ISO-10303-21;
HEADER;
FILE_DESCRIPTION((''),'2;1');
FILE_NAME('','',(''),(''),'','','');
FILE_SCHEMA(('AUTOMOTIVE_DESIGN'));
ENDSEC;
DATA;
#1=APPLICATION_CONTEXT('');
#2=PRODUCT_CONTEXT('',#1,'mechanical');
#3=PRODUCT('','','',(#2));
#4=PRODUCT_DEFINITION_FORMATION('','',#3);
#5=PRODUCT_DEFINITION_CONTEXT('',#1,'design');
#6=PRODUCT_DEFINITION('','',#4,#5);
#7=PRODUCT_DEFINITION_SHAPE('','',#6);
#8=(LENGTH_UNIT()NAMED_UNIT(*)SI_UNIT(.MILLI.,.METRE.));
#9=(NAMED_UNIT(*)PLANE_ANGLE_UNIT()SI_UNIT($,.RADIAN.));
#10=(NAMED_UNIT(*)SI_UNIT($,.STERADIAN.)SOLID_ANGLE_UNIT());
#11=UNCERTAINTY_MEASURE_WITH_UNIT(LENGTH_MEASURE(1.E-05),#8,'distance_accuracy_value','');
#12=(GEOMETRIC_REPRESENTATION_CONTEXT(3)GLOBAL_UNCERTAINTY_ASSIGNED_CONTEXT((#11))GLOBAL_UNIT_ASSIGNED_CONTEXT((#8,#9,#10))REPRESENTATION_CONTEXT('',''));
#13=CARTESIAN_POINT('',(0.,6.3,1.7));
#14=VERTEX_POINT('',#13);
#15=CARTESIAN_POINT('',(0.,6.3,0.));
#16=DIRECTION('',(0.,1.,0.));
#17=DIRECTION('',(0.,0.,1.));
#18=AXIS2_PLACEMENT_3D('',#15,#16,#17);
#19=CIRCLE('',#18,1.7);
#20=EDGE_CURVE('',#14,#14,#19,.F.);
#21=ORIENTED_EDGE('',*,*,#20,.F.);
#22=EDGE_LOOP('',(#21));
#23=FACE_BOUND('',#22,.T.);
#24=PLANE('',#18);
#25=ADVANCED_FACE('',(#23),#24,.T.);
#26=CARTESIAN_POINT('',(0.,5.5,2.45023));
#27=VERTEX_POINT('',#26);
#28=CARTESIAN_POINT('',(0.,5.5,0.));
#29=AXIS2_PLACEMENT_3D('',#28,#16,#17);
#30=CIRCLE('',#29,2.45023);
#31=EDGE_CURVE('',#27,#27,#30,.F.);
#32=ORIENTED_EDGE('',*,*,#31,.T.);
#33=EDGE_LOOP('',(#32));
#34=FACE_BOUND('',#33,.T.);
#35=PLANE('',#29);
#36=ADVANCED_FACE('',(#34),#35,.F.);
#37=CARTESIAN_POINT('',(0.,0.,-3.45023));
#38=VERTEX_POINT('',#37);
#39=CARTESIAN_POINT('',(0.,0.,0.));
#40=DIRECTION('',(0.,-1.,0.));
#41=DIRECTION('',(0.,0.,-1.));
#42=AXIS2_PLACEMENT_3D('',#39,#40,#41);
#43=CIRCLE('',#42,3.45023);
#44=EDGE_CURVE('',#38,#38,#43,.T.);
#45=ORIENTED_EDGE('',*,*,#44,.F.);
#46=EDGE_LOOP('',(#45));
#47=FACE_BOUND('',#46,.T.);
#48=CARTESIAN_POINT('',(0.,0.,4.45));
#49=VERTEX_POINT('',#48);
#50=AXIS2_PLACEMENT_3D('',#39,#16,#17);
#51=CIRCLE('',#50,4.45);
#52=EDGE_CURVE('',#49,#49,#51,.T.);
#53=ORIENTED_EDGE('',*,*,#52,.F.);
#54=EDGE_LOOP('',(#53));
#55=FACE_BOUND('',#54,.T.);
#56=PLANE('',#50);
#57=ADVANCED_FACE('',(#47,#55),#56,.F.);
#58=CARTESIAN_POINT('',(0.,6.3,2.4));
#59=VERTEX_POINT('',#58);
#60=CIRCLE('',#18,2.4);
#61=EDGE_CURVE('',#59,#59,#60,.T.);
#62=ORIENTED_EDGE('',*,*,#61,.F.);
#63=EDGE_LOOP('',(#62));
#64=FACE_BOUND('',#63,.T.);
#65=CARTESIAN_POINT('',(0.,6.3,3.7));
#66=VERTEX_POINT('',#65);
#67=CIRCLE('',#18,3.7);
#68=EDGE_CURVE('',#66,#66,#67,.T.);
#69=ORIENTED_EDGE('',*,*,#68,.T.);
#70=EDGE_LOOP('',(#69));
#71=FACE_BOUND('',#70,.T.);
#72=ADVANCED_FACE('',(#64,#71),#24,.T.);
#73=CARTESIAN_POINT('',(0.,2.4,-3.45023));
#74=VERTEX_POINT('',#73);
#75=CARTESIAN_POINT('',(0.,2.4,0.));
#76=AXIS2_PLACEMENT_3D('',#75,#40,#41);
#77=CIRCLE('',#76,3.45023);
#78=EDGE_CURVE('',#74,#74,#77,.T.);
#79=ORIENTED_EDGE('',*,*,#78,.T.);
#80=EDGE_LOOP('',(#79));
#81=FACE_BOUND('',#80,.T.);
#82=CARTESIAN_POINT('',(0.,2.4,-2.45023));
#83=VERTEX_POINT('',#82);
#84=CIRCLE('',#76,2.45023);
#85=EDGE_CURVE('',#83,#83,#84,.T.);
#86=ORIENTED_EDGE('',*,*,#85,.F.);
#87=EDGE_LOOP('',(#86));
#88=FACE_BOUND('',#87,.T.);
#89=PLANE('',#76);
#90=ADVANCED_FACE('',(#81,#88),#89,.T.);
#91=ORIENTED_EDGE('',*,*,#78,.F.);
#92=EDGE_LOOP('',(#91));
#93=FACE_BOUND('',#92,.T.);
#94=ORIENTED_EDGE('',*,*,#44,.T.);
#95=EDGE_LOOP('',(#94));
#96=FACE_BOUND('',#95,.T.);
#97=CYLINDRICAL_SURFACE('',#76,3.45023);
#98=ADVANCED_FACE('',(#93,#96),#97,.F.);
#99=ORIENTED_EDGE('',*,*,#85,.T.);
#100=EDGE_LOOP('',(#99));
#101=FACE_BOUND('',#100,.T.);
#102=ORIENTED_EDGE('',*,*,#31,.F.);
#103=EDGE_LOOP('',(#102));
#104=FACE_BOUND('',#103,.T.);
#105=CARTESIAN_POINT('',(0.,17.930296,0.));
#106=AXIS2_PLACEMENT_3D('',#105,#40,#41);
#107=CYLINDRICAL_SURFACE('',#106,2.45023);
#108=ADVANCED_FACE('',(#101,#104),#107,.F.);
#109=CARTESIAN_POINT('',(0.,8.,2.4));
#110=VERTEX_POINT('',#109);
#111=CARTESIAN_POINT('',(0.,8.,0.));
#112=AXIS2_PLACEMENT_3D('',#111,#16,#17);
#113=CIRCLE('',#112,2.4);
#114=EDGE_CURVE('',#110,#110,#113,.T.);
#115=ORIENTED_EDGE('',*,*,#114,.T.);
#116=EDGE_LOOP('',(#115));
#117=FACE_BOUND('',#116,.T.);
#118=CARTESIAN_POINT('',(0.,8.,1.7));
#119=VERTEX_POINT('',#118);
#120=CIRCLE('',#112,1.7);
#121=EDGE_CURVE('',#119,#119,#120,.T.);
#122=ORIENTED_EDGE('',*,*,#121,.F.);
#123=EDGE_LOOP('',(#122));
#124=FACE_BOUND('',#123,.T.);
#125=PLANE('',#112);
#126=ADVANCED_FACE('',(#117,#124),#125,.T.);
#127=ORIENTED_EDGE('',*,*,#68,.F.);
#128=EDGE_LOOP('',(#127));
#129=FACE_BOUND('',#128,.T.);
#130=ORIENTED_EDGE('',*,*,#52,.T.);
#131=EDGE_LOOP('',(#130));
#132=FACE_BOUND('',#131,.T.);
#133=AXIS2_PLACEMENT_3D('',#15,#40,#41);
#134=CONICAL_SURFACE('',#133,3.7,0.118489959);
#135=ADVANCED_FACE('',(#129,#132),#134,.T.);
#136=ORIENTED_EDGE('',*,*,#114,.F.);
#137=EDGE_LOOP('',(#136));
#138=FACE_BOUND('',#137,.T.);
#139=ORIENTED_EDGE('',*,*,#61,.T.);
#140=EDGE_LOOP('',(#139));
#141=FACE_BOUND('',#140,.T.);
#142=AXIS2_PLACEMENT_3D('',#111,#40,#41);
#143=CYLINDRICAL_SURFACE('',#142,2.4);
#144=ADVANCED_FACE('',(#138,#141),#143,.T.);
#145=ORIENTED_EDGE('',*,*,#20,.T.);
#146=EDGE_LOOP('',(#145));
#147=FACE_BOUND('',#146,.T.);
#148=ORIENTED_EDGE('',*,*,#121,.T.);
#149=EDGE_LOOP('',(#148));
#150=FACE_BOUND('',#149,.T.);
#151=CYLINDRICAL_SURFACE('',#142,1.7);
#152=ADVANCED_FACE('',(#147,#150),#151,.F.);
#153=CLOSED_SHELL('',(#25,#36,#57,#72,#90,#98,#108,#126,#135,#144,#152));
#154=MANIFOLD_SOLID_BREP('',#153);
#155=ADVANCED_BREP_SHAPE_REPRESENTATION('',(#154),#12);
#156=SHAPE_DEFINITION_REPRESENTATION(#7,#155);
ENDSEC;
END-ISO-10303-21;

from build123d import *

# Parameters (mm, degrees)
SKETCH1_R           = 4.45
SKETCH2_R           = 3.7
SKETCH3_R           = 2.4
SKETCH3_R_2         = 1.7
BOSS_EXTRUDE1_DEPTH = 1.7
SKETCH4_R           = 3.450229513
CUT_EXTRUDE1_DEPTH  = 2.4
SKETCH5_R           = 2.450229513
CUT_EXTRUDE2_DEPTH  = 3.1


with BuildPart() as part:
    # Sketch1 → Loft1 section 0
    with BuildSketch(Plane(origin=(0, 0, 0), x_dir=(1, 0, 0), z_dir=(0, 1, 0))):
        Circle(SKETCH1_R)
    # Sketch2 → Loft1 section 1
    with BuildSketch(Plane(origin=(0, 6.3, 0), x_dir=(1, 0, 0), z_dir=(0, 1, 0))):
        Circle(SKETCH2_R)
    loft()

    # Sketch3 → Boss-Extrude1 (add)
    with BuildSketch(Plane(origin=(0, 6.3, 0), x_dir=(1, 0, 0), z_dir=(0, 1, 0))):
        with Locations(Location((0, 0, 0), (0, 0, 270))):
            Circle(SKETCH3_R)
        with Locations(Location((0, 0, 0), (0, 0, 270))):
            Circle(SKETCH3_R_2, mode=Mode.SUBTRACT)
    extrude(amount=BOSS_EXTRUDE1_DEPTH)

    # Sketch4 → Cut-Extrude1 (cut)
    with BuildSketch(Plane.XZ):
        with Locations(Location((0, 0, 0), (0, 0, 270))):
            Circle(SKETCH4_R)
    extrude(amount=-CUT_EXTRUDE1_DEPTH, mode=Mode.SUBTRACT)

    # Sketch5 → Cut-Extrude2 (cut)
    with BuildSketch(Plane.XZ.offset(-2.4)):
        with Locations(Location((0, 0, 0), (0, 0, 270))):
            Circle(SKETCH5_R)
    extrude(amount=-CUT_EXTRUDE2_DEPTH, mode=Mode.SUBTRACT)


solid = part.part
